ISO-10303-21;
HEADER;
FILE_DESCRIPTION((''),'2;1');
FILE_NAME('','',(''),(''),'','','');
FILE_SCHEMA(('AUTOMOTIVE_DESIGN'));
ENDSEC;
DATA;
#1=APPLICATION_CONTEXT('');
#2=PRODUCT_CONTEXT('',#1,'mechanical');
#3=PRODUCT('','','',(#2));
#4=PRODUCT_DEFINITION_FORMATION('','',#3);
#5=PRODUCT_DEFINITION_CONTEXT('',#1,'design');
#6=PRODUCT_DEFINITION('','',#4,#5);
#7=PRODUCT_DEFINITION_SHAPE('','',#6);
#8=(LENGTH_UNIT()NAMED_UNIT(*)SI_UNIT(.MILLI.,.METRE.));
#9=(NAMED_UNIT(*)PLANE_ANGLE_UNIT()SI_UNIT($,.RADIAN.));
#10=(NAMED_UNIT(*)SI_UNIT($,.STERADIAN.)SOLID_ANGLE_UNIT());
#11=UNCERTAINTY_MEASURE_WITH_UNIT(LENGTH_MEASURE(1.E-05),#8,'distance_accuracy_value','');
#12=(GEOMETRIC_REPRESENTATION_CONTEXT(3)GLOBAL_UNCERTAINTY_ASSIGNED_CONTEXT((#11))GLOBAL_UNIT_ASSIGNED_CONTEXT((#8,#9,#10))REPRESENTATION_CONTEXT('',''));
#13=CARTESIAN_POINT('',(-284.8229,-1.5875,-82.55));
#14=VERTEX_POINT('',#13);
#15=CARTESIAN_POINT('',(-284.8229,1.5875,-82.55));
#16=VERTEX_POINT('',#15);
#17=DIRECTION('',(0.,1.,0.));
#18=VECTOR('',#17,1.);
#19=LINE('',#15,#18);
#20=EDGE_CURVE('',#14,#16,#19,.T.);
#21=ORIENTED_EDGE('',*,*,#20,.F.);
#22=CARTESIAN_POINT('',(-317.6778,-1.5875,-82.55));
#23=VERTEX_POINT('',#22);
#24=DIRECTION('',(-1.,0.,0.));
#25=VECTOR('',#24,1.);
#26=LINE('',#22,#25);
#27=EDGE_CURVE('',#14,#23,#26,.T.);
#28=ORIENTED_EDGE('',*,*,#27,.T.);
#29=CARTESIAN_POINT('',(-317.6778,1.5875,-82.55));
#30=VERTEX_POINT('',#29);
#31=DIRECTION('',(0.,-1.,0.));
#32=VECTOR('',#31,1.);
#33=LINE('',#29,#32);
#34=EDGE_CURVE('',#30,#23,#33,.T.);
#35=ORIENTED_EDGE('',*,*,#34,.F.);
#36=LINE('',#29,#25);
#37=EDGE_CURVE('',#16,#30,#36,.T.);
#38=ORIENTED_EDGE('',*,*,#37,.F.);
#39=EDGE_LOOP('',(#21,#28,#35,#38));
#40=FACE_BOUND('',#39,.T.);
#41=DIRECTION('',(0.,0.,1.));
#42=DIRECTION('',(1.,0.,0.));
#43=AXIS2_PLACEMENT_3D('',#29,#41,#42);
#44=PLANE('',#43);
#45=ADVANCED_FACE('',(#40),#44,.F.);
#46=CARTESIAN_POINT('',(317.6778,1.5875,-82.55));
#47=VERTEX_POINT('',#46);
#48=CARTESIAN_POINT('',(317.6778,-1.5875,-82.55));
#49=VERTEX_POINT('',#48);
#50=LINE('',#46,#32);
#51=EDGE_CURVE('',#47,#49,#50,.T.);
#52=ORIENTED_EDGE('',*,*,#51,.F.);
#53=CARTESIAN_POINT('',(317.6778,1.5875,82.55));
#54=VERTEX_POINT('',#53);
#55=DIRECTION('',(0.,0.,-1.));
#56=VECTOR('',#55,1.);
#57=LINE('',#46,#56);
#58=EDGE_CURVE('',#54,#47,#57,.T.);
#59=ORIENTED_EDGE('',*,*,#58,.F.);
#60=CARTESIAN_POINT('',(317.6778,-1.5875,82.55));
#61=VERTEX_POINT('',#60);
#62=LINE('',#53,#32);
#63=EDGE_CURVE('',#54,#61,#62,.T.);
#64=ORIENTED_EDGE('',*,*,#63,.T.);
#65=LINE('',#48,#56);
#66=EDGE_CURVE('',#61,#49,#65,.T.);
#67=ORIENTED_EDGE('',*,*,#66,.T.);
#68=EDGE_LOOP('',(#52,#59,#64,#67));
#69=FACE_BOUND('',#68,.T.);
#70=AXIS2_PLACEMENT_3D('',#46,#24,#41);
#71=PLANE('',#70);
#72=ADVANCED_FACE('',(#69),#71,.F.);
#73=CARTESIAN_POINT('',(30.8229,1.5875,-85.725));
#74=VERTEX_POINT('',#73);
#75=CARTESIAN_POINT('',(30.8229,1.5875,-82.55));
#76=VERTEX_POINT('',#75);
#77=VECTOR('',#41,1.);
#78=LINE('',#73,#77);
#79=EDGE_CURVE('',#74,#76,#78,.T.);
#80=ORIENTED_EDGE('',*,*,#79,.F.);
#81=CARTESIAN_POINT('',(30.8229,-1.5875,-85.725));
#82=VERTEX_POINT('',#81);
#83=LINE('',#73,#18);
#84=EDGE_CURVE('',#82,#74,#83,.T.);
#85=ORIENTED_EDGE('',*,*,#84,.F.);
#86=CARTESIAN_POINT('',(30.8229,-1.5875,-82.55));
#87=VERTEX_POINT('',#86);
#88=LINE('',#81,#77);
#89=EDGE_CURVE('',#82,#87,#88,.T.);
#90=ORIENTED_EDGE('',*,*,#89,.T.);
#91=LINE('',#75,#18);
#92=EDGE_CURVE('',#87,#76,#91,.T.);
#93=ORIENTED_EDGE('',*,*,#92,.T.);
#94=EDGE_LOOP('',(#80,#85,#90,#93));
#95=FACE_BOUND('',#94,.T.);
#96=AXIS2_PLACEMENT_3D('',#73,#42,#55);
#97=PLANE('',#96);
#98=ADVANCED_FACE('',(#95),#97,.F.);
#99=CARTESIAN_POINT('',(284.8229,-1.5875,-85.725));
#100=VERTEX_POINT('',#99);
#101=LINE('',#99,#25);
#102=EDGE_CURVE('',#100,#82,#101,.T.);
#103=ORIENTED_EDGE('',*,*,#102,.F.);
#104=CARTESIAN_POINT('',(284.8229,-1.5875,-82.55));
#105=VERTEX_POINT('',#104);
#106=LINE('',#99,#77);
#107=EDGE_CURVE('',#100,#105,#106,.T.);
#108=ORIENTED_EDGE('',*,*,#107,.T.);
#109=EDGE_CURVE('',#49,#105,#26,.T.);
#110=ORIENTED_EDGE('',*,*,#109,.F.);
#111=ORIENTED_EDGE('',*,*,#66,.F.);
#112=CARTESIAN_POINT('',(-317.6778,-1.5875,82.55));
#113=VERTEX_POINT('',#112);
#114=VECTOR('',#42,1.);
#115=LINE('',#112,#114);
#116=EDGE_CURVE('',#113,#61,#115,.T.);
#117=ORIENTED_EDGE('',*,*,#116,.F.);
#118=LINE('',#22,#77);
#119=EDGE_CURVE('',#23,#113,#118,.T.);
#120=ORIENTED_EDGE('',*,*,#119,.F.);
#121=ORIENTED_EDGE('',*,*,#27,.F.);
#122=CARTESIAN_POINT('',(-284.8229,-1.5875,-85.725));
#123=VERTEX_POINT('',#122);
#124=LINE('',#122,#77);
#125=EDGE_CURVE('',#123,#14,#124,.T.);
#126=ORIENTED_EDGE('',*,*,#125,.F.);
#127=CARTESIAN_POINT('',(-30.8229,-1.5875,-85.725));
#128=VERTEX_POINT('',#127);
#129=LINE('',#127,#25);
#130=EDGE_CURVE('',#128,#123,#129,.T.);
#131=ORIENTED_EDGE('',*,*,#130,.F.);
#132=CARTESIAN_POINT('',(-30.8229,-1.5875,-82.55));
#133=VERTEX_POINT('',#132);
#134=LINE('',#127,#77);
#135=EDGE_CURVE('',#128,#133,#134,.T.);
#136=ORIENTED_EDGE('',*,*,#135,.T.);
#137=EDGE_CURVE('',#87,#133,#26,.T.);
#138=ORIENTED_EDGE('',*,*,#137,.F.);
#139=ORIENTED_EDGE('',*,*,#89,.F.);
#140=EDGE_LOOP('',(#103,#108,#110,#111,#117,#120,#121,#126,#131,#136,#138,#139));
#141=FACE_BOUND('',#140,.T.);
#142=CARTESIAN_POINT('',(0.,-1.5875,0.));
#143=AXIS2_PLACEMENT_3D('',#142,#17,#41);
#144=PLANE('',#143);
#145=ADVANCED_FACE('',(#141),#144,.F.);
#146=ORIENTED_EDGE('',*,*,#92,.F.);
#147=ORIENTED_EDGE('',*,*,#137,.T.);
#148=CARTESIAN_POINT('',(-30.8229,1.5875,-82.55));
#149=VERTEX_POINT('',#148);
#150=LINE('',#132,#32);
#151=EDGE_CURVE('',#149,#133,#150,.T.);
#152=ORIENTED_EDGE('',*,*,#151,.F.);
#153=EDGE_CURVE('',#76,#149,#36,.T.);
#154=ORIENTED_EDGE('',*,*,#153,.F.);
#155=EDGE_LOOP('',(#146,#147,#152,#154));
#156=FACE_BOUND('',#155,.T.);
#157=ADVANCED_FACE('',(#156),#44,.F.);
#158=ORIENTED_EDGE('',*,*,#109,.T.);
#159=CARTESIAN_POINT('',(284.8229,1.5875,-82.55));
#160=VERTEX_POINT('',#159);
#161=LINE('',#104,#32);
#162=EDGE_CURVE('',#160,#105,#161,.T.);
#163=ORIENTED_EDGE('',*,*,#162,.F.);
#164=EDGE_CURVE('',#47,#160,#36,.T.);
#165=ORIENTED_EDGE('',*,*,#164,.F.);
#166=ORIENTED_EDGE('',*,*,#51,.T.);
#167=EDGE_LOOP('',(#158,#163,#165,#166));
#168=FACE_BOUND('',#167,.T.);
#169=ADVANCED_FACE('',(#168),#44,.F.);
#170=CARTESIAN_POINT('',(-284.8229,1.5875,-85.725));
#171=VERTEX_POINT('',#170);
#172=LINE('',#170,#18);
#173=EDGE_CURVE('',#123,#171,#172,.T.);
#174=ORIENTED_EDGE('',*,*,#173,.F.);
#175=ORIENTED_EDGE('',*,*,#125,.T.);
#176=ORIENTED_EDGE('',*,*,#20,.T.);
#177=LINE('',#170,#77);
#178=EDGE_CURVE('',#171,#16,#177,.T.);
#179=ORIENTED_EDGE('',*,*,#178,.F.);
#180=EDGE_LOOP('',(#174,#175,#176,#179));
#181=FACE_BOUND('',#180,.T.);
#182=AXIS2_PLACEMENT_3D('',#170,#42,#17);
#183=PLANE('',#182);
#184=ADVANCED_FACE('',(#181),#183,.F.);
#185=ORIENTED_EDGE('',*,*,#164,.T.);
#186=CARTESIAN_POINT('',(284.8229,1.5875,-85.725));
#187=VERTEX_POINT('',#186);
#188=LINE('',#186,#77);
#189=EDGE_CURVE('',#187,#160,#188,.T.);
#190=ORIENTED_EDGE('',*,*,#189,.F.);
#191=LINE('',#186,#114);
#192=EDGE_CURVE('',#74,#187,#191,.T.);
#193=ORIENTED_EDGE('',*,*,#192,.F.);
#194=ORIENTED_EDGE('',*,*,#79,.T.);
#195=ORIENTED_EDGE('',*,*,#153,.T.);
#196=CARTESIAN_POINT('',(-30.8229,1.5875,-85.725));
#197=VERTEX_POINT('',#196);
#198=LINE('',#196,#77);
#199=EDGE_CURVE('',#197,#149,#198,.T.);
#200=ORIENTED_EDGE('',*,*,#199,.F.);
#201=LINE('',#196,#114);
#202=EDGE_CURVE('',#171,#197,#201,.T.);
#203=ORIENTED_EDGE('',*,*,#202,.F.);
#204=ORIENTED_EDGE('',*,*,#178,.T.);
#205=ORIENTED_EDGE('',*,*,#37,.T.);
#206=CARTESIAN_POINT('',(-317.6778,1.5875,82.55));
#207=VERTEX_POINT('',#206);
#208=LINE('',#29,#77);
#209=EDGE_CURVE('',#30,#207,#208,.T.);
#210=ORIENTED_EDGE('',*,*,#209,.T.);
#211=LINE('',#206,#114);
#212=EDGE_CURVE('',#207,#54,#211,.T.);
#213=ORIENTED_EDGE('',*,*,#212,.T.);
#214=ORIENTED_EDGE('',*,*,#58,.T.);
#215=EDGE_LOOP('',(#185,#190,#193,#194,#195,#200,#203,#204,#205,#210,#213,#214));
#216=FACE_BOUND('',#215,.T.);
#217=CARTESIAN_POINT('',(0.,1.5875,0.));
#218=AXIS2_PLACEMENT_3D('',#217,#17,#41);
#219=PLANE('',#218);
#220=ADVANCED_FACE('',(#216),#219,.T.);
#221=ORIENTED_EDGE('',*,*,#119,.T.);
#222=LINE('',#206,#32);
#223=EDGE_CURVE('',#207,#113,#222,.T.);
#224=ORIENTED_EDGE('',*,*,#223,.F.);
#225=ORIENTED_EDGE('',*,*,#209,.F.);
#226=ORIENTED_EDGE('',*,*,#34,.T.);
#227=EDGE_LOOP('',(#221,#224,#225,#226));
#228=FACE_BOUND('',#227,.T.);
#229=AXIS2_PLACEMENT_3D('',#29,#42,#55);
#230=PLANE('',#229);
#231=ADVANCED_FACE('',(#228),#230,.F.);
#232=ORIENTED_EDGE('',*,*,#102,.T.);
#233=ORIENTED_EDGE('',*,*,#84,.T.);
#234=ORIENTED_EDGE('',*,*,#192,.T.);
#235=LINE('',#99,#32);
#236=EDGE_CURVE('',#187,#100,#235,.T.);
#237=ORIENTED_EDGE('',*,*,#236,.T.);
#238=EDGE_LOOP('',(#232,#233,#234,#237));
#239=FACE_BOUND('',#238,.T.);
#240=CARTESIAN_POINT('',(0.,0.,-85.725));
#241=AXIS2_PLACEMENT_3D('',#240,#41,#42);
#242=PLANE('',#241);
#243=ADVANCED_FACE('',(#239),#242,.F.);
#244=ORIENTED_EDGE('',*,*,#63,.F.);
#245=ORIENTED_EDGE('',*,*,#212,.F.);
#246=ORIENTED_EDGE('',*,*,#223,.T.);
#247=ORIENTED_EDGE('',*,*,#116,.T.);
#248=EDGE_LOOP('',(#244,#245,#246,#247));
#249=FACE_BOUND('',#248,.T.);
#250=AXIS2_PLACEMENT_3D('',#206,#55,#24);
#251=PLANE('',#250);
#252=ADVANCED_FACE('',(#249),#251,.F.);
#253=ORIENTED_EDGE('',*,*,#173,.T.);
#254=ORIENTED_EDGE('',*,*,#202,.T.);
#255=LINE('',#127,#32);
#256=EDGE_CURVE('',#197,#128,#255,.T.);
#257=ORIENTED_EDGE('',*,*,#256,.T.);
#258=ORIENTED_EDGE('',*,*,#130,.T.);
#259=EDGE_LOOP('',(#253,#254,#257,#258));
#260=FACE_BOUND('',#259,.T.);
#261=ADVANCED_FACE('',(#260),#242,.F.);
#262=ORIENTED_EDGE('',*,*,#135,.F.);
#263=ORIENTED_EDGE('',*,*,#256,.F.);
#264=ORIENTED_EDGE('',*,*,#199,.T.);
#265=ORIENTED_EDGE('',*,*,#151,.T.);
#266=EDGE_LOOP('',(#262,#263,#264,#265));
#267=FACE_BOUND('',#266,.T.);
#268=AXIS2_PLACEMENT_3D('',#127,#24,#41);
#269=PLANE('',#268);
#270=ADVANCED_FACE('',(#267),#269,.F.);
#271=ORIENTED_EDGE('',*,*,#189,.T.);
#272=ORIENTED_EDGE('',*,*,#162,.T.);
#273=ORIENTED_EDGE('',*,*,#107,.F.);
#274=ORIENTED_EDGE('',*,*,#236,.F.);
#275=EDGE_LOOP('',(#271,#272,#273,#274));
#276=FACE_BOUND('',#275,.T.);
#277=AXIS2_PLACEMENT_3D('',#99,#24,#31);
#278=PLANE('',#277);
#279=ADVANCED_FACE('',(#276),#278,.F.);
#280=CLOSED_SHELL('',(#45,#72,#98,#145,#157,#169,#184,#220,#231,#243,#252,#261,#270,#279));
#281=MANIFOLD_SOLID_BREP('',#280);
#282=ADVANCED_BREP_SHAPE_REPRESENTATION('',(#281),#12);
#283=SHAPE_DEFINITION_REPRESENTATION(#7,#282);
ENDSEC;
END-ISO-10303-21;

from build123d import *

# Parameters (mm, degrees)
SKETCH1_W           = 635.3556
SKETCH1_H           = 165.1
BOSS_EXTRUDE1_DEPTH = 1.5875
SKETCH2_W           = 254
SKETCH2_H           = 3.175
BOSS_EXTRUDE2_DEPTH = 3.175


with BuildPart() as part:
    # Sketch1 → Boss-Extrude1 (new, symmetric)
    with BuildSketch(Plane(origin=(0, 0, 0), x_dir=(1, 0, 0), z_dir=(0, 1, 0))):
        Rectangle(SKETCH1_W, SKETCH1_H)
    extrude(amount=BOSS_EXTRUDE1_DEPTH, both=True)

    # Sketch2 → Boss-Extrude2 (add)
    with BuildSketch(Plane(origin=(0, 0, -82.55), x_dir=(-1, 0, 0), z_dir=(0, 0, -1))):
        with Locations((-157.8229, 0)):
            Rectangle(SKETCH2_W, SKETCH2_H)
        with Locations((157.8229, 0)):
            Rectangle(SKETCH2_W, SKETCH2_H)
    extrude(amount=BOSS_EXTRUDE2_DEPTH)


solid = part.part
